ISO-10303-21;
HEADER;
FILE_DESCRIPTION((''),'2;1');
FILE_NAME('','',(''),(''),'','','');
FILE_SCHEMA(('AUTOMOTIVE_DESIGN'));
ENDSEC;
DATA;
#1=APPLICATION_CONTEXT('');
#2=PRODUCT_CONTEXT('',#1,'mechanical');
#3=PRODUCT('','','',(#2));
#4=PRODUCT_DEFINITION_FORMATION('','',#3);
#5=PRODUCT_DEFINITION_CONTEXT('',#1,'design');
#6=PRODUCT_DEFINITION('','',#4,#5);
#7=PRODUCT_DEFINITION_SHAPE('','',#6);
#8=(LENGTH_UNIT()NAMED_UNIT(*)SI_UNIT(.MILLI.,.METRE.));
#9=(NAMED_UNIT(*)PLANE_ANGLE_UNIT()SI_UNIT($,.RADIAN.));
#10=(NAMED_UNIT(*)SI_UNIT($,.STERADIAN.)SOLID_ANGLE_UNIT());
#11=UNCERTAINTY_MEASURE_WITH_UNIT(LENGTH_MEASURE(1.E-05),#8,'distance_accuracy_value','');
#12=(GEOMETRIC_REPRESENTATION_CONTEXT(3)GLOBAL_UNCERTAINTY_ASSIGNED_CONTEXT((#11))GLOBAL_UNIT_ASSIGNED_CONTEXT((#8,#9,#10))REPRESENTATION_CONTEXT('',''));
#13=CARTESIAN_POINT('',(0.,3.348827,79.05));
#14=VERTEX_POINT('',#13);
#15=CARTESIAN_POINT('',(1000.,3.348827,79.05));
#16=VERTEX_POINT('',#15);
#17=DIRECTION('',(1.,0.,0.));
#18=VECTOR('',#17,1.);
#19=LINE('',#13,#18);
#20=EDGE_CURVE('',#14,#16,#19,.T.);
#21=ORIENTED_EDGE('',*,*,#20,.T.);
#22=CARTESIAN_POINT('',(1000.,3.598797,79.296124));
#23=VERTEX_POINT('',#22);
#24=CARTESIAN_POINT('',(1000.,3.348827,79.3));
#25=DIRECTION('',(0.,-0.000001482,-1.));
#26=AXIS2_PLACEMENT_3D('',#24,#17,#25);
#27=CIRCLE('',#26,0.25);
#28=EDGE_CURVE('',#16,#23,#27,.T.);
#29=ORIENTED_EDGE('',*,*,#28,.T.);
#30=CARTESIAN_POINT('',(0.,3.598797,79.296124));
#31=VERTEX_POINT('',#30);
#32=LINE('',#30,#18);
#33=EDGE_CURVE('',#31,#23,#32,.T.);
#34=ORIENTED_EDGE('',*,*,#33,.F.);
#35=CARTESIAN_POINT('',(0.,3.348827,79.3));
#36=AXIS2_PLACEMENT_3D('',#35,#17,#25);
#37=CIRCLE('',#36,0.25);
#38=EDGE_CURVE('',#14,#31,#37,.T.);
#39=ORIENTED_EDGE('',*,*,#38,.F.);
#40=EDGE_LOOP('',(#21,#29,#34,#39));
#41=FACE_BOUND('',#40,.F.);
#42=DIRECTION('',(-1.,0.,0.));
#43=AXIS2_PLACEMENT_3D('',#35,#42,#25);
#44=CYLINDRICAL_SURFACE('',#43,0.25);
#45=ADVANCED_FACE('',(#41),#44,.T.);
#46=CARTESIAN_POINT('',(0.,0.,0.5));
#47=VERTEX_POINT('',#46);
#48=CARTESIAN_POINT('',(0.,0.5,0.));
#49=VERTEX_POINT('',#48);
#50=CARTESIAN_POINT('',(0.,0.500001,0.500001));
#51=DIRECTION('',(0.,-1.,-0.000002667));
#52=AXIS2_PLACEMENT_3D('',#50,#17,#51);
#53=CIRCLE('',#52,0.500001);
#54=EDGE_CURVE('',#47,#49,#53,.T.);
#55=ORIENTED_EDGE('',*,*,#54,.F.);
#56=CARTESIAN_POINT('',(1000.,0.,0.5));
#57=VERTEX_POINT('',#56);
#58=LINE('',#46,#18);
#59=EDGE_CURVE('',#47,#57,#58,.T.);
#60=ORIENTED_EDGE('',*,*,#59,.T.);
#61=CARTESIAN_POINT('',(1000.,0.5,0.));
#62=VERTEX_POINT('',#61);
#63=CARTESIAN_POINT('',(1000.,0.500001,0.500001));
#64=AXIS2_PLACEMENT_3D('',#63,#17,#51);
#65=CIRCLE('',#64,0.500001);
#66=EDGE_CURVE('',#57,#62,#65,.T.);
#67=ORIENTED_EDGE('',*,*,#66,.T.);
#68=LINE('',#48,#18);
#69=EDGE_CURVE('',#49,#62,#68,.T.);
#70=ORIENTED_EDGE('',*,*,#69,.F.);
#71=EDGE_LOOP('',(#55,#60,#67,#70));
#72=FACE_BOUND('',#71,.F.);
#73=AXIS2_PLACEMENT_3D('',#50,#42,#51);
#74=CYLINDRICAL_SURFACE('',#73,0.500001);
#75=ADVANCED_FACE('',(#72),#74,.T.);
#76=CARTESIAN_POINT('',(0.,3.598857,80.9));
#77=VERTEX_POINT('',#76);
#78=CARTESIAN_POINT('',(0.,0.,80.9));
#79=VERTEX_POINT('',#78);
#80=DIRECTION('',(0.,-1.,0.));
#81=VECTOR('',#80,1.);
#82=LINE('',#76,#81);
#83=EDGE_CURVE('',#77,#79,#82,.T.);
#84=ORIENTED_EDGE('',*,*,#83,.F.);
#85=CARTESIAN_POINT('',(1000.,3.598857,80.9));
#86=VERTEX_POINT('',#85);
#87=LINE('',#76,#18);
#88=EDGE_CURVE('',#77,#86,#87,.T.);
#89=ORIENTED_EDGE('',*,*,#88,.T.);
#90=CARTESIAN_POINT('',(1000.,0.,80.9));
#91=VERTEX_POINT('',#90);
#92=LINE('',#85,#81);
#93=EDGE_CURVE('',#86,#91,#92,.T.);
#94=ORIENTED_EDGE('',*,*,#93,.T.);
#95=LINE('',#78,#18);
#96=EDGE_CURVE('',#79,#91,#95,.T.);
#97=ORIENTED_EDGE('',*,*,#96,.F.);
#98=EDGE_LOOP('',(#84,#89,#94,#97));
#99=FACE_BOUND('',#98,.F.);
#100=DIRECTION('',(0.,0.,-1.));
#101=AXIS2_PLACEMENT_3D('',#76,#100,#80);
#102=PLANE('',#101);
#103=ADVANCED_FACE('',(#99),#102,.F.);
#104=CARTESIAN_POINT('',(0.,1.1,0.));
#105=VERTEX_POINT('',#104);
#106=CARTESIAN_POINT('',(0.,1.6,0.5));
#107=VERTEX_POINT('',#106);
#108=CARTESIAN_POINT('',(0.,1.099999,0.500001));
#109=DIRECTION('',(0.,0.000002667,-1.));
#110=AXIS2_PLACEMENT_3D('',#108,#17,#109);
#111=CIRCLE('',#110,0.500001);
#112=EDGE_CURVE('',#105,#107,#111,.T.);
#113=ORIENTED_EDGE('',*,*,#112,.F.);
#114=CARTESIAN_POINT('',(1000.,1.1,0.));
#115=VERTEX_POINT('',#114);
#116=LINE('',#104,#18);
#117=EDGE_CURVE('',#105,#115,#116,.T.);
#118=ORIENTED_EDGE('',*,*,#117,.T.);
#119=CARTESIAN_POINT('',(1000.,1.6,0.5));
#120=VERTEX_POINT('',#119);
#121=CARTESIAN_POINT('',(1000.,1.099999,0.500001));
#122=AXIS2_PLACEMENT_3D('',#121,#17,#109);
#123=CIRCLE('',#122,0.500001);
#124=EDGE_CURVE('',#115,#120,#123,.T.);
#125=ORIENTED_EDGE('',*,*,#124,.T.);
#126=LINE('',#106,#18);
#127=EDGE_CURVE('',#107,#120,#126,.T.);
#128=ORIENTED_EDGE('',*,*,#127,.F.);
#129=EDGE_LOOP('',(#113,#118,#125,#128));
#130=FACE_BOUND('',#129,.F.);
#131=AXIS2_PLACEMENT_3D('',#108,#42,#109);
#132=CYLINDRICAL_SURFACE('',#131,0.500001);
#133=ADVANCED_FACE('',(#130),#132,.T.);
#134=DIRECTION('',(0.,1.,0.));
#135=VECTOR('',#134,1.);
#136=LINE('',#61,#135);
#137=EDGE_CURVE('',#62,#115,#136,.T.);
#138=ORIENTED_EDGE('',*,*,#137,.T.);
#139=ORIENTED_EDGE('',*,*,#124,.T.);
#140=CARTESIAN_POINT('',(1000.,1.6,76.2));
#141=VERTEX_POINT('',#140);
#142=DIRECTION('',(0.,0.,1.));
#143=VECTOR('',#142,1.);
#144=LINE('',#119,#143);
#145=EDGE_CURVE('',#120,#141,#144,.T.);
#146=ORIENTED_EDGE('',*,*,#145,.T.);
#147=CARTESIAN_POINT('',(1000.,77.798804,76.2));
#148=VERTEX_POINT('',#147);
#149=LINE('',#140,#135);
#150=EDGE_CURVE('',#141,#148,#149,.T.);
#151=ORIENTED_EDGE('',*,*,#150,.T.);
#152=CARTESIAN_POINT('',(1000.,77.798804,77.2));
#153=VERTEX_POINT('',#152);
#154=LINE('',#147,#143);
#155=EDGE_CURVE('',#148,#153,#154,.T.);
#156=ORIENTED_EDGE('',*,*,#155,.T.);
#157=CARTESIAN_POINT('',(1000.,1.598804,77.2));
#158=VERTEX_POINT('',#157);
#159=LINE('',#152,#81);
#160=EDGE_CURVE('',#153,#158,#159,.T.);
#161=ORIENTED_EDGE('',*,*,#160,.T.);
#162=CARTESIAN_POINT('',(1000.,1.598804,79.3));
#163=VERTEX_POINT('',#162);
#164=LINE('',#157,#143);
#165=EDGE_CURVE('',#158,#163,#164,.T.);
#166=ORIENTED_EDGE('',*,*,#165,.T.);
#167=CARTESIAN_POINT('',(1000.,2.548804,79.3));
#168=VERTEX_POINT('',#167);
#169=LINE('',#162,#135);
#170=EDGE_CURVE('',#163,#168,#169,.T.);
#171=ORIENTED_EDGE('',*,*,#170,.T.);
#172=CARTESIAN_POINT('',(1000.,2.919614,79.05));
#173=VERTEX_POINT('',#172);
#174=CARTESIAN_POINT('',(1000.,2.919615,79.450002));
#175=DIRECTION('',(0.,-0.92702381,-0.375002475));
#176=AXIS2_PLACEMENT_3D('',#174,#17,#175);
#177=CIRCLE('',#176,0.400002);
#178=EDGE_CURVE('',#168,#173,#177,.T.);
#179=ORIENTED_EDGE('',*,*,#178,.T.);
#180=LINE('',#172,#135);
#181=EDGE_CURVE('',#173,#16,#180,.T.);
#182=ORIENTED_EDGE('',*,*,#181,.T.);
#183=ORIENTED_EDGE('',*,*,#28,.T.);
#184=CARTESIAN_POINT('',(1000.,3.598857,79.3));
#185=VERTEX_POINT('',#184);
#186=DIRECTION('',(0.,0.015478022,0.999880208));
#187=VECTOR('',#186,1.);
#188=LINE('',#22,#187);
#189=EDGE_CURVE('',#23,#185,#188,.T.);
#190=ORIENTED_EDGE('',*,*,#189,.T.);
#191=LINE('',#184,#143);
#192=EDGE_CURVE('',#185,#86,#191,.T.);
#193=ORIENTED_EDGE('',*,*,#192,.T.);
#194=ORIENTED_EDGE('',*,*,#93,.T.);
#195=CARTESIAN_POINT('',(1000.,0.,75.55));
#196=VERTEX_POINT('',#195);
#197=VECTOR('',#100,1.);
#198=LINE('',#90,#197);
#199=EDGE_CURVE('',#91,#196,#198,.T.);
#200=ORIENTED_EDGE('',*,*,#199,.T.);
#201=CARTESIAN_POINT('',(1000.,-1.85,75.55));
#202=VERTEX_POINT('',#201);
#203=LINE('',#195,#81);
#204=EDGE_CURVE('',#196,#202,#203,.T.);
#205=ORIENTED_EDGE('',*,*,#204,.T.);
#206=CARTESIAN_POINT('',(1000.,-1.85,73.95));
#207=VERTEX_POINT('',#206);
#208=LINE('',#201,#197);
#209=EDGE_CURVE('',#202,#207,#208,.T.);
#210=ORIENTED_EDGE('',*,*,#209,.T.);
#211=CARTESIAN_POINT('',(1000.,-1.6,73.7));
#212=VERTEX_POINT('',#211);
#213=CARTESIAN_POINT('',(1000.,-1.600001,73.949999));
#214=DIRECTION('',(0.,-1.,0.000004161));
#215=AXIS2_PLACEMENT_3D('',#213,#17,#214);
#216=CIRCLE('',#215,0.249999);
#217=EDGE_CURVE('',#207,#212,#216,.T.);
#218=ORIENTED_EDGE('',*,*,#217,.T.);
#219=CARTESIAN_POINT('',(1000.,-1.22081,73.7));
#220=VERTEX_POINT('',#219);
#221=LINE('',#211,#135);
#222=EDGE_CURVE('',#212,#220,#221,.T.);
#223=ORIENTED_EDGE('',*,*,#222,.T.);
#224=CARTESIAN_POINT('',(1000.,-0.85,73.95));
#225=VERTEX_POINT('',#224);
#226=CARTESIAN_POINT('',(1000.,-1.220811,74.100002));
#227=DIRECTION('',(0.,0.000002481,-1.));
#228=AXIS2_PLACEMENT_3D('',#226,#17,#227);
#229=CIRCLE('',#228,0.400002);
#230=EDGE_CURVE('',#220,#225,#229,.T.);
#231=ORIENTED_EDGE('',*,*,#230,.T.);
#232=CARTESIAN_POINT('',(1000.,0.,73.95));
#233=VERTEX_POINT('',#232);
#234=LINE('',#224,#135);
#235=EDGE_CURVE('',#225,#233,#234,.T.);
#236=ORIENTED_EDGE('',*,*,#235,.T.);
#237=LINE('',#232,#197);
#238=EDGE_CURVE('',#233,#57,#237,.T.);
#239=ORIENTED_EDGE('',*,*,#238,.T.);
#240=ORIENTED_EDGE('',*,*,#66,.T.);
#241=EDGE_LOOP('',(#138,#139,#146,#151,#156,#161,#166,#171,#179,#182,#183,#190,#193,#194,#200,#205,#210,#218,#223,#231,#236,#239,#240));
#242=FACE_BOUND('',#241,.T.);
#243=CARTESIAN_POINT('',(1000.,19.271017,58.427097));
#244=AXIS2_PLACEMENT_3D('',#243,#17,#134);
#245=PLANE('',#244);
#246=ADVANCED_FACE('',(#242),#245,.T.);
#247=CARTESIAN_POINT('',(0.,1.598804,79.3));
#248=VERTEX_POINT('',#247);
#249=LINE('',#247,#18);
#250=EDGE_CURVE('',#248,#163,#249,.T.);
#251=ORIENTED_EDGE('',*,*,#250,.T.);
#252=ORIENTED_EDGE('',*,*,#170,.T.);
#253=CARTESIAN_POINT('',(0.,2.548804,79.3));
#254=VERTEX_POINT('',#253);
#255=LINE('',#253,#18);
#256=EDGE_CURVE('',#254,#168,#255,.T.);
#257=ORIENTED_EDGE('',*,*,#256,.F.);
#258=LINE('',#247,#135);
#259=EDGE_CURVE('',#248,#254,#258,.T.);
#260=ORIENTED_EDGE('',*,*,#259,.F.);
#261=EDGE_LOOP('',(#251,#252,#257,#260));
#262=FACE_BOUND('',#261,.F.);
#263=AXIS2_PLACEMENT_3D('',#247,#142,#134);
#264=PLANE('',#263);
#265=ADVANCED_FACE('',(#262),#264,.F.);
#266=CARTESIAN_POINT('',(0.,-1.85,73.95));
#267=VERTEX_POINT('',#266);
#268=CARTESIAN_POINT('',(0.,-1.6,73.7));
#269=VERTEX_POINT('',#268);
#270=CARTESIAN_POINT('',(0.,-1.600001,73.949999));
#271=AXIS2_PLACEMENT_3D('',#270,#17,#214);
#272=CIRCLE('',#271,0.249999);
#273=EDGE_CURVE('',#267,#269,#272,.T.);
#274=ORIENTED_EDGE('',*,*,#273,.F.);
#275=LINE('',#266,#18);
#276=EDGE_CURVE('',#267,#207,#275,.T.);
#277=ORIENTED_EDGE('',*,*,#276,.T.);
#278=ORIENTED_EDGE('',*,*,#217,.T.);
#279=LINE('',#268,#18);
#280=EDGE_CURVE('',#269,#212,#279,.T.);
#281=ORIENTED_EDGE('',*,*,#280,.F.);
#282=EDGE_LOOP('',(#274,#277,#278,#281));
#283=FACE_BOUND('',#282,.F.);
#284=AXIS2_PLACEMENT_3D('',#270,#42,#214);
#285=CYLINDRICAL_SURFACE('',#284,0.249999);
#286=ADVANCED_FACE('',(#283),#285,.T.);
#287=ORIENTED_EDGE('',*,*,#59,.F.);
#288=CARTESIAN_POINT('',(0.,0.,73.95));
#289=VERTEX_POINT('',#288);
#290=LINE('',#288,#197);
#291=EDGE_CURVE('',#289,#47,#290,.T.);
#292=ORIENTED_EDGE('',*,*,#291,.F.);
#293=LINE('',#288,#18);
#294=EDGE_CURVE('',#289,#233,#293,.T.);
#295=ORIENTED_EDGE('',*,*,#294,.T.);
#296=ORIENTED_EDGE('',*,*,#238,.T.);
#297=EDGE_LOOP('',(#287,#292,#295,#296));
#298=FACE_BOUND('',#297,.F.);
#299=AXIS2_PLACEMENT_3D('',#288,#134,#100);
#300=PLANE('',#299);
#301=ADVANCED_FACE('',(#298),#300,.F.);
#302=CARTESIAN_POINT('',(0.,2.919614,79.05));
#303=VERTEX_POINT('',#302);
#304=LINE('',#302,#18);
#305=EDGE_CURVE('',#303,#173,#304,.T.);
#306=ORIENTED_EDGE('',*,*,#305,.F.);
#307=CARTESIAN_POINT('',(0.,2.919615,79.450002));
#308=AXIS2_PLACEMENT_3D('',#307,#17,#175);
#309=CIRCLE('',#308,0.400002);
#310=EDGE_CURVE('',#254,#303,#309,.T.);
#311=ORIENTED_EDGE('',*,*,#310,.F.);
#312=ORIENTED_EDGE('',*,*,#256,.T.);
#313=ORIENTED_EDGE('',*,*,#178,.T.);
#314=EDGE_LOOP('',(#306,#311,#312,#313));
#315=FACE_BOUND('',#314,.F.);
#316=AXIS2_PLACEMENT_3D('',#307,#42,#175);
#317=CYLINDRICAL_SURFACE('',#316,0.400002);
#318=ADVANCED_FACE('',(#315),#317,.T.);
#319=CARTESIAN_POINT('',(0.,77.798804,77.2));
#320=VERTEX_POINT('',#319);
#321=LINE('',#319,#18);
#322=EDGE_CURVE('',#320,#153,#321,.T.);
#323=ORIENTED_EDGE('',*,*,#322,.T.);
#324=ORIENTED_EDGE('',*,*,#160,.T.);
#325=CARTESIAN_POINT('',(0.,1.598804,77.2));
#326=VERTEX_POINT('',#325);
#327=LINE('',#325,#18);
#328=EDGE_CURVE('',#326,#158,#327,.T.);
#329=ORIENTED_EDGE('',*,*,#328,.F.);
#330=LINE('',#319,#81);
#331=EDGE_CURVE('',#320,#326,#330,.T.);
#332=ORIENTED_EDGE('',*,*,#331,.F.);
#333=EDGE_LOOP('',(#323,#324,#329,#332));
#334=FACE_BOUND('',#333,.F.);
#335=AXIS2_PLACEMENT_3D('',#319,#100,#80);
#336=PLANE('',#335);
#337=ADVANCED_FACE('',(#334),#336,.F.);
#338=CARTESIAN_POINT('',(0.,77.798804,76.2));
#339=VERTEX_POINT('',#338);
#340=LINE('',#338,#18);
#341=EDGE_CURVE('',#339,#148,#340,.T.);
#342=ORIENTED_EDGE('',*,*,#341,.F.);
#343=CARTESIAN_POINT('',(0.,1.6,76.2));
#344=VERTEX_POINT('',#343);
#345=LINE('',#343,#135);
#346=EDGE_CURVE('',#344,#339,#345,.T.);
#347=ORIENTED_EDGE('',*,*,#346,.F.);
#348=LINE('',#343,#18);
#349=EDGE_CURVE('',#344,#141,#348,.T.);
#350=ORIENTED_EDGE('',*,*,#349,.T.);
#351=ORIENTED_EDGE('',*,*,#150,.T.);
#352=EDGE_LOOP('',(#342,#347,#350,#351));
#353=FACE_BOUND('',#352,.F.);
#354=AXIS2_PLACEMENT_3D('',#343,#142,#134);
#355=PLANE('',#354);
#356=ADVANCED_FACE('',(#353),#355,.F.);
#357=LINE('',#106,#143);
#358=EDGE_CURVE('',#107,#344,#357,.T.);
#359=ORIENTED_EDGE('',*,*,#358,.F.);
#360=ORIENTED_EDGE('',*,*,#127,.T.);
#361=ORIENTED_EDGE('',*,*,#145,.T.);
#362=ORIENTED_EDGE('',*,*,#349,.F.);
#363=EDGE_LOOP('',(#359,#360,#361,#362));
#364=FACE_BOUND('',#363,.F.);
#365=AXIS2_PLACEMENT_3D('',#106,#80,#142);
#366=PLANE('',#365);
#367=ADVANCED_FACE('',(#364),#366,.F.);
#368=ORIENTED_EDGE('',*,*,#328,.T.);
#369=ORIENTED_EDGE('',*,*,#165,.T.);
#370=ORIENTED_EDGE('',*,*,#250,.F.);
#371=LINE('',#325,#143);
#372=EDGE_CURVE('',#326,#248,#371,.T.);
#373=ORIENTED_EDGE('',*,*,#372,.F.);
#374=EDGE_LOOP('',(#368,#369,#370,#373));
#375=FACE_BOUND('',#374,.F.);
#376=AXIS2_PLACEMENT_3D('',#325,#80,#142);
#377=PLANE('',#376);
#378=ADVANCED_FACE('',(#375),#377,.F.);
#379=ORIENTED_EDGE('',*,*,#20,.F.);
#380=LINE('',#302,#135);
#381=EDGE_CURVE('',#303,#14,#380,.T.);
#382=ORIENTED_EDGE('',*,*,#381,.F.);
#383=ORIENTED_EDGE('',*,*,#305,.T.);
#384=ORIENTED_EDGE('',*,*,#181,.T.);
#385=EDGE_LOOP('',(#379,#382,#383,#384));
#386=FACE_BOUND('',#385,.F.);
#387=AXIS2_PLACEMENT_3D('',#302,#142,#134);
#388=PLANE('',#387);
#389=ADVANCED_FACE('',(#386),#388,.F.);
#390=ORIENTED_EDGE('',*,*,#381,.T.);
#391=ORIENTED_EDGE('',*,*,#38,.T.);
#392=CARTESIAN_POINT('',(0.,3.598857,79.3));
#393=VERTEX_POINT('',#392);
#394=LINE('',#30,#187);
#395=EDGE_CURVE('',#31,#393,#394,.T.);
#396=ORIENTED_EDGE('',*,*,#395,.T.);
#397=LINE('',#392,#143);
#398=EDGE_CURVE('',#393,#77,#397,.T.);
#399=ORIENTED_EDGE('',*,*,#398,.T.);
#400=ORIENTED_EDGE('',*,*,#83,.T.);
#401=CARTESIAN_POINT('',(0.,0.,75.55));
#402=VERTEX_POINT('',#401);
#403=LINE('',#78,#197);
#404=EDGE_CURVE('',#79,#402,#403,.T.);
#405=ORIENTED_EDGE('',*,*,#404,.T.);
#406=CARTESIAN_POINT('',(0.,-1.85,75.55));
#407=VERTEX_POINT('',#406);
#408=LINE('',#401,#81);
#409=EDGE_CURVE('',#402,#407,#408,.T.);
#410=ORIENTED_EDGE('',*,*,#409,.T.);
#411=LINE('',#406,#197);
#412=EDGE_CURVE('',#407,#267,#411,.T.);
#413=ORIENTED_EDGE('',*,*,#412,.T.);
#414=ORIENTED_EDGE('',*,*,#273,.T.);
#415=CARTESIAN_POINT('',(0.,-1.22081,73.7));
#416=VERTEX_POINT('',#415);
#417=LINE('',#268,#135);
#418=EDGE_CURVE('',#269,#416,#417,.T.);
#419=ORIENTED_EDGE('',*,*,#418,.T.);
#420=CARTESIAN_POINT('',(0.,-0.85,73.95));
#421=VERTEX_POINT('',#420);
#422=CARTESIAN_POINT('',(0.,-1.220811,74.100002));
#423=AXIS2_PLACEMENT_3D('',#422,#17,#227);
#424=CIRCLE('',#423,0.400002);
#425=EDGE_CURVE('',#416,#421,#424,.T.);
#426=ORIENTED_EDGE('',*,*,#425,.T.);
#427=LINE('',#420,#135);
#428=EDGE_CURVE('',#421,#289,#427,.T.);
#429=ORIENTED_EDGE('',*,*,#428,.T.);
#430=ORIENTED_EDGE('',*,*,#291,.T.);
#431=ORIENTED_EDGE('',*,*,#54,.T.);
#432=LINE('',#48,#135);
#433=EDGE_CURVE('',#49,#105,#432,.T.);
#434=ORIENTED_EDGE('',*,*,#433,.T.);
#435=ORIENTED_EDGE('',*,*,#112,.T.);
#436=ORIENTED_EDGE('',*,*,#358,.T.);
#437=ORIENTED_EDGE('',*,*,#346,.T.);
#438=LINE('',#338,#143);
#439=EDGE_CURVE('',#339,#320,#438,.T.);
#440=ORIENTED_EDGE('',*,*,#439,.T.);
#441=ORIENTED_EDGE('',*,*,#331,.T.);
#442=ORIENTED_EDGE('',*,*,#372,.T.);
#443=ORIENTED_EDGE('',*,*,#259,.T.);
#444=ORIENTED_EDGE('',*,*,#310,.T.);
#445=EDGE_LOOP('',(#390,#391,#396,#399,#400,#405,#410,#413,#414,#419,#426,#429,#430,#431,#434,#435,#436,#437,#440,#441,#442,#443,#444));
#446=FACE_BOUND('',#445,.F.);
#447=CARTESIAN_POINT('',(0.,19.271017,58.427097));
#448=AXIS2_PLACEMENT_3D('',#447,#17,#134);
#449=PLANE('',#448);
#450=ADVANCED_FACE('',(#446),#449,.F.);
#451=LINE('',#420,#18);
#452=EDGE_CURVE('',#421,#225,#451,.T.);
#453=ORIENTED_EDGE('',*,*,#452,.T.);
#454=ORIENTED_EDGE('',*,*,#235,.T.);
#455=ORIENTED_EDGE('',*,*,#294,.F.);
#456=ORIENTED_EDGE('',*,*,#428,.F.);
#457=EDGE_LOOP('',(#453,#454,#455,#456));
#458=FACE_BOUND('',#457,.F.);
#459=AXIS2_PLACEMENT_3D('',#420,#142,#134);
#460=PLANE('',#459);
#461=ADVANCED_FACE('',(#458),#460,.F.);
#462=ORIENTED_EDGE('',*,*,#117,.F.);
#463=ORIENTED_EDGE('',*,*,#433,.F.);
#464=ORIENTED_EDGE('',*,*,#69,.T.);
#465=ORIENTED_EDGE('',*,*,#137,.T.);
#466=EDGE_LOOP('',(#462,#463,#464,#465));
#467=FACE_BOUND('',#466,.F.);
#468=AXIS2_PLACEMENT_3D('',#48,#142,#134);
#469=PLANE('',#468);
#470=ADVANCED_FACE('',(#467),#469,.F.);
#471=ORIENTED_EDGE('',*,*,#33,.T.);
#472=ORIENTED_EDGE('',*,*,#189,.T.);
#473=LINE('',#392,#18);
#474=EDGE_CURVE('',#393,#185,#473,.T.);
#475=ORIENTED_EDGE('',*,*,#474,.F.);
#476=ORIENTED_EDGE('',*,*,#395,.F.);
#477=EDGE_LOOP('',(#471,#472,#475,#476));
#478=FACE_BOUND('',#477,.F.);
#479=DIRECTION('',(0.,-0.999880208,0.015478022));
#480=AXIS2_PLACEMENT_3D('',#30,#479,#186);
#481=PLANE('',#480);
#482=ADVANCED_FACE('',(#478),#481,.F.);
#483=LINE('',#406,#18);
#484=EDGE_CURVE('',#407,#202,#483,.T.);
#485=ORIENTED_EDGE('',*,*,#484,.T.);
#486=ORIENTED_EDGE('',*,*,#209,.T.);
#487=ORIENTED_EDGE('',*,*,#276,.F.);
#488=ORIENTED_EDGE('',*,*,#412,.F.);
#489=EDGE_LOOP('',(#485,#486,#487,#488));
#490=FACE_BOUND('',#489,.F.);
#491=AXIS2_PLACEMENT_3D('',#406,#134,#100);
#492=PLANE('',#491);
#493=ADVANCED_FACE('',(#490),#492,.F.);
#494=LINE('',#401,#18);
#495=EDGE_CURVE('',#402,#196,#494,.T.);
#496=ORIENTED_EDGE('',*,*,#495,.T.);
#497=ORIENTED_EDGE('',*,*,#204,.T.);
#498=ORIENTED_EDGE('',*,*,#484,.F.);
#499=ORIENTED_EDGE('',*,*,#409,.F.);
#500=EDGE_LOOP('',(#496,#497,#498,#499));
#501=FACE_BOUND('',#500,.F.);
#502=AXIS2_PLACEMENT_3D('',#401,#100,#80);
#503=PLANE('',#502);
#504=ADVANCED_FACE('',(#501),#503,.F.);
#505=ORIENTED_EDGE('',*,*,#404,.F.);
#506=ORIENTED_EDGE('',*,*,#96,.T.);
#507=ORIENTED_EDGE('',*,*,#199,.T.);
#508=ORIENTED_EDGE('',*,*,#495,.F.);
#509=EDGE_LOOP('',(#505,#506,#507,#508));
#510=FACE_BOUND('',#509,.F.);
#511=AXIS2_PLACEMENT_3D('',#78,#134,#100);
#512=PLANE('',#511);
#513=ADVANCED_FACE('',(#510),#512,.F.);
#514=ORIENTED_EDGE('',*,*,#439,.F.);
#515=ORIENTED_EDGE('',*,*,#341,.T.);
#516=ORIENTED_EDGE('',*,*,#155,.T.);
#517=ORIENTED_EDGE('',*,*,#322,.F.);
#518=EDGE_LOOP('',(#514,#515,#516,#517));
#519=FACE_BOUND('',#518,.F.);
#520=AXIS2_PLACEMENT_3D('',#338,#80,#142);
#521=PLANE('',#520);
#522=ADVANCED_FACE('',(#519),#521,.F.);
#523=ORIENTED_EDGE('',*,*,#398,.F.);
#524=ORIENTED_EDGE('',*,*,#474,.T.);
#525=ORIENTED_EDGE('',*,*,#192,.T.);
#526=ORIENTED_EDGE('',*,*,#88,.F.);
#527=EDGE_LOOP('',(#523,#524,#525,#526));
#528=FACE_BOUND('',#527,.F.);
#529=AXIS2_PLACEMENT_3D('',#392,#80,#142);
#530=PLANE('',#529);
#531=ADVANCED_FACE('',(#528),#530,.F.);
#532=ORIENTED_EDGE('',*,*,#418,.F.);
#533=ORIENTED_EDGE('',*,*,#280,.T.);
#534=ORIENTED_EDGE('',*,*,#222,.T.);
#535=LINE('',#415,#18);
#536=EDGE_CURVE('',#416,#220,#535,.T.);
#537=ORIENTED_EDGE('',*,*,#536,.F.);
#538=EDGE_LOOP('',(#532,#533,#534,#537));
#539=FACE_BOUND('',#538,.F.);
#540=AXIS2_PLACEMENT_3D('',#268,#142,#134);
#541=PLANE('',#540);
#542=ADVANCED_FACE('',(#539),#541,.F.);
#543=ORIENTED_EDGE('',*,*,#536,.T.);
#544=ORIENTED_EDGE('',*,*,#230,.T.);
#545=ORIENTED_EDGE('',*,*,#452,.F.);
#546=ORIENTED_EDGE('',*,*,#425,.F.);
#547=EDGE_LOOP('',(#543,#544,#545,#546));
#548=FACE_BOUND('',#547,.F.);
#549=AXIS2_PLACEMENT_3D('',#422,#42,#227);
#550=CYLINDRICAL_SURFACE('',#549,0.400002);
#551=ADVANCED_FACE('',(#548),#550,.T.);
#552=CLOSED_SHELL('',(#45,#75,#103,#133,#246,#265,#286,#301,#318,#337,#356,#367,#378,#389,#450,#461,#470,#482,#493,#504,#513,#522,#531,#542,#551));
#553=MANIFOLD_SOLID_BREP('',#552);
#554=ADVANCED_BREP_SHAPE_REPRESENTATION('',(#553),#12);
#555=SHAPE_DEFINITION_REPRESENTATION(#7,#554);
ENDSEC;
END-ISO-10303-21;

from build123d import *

# Parameters (mm, degrees)
F1_DEPTH = 1000


with BuildPart() as f1:
    # F0 (on Right) → F1 (new body)
    with BuildSketch(Plane.YZ):
        with BuildLine():
            Line((0, 73.95), (0, 0.5))
            ThreePointArc((0, 0.5), (0.146447, 0.146447), (0.5, 0))
            Line((0.5, 0), (1.1, 0))
            ThreePointArc((1.1, 0), (1.453553, 0.146447), (1.6, 0.5))
            Line((1.6, 0.5), (1.6, 76.2))
            Line((1.6, 76.2), (77.798804, 76.2))
            Line((77.798804, 76.2), (77.798804, 77.2))
            Line((77.798804, 77.2), (1.598804, 77.2))
            Line((1.598804, 77.2), (1.598804, 79.3))
            Line((1.598804, 79.3), (2.548804, 79.3))
            ThreePointArc((2.548804, 79.3), (2.696007, 79.118338), (2.919614, 79.05))
            Line((2.919614, 79.05), (3.348827, 79.05))
            ThreePointArc((3.348827, 79.05), (3.524228, 79.121858), (3.598797, 79.296124))
            Line((3.598797, 79.296124), (3.598857, 79.3))
            Line((3.598857, 79.3), (3.598857, 80.9))
            Line((3.598857, 80.9), (0, 80.9))
            Line((0, 80.9), (0, 75.55))
            Line((0, 75.55), (-1.85, 75.55))
            Line((-1.85, 75.55), (-1.85, 73.95))
            ThreePointArc((-1.85, 73.95), (-1.776777, 73.773223), (-1.6, 73.7))
            Line((-1.6, 73.7), (-1.22081, 73.7))
            ThreePointArc((-1.22081, 73.7), (-0.997203, 73.768338), (-0.85, 73.95))
            Line((-0.85, 73.95), (0, 73.95))
        make_face()
    extrude(amount=F1_DEPTH)


solid = f1.part
